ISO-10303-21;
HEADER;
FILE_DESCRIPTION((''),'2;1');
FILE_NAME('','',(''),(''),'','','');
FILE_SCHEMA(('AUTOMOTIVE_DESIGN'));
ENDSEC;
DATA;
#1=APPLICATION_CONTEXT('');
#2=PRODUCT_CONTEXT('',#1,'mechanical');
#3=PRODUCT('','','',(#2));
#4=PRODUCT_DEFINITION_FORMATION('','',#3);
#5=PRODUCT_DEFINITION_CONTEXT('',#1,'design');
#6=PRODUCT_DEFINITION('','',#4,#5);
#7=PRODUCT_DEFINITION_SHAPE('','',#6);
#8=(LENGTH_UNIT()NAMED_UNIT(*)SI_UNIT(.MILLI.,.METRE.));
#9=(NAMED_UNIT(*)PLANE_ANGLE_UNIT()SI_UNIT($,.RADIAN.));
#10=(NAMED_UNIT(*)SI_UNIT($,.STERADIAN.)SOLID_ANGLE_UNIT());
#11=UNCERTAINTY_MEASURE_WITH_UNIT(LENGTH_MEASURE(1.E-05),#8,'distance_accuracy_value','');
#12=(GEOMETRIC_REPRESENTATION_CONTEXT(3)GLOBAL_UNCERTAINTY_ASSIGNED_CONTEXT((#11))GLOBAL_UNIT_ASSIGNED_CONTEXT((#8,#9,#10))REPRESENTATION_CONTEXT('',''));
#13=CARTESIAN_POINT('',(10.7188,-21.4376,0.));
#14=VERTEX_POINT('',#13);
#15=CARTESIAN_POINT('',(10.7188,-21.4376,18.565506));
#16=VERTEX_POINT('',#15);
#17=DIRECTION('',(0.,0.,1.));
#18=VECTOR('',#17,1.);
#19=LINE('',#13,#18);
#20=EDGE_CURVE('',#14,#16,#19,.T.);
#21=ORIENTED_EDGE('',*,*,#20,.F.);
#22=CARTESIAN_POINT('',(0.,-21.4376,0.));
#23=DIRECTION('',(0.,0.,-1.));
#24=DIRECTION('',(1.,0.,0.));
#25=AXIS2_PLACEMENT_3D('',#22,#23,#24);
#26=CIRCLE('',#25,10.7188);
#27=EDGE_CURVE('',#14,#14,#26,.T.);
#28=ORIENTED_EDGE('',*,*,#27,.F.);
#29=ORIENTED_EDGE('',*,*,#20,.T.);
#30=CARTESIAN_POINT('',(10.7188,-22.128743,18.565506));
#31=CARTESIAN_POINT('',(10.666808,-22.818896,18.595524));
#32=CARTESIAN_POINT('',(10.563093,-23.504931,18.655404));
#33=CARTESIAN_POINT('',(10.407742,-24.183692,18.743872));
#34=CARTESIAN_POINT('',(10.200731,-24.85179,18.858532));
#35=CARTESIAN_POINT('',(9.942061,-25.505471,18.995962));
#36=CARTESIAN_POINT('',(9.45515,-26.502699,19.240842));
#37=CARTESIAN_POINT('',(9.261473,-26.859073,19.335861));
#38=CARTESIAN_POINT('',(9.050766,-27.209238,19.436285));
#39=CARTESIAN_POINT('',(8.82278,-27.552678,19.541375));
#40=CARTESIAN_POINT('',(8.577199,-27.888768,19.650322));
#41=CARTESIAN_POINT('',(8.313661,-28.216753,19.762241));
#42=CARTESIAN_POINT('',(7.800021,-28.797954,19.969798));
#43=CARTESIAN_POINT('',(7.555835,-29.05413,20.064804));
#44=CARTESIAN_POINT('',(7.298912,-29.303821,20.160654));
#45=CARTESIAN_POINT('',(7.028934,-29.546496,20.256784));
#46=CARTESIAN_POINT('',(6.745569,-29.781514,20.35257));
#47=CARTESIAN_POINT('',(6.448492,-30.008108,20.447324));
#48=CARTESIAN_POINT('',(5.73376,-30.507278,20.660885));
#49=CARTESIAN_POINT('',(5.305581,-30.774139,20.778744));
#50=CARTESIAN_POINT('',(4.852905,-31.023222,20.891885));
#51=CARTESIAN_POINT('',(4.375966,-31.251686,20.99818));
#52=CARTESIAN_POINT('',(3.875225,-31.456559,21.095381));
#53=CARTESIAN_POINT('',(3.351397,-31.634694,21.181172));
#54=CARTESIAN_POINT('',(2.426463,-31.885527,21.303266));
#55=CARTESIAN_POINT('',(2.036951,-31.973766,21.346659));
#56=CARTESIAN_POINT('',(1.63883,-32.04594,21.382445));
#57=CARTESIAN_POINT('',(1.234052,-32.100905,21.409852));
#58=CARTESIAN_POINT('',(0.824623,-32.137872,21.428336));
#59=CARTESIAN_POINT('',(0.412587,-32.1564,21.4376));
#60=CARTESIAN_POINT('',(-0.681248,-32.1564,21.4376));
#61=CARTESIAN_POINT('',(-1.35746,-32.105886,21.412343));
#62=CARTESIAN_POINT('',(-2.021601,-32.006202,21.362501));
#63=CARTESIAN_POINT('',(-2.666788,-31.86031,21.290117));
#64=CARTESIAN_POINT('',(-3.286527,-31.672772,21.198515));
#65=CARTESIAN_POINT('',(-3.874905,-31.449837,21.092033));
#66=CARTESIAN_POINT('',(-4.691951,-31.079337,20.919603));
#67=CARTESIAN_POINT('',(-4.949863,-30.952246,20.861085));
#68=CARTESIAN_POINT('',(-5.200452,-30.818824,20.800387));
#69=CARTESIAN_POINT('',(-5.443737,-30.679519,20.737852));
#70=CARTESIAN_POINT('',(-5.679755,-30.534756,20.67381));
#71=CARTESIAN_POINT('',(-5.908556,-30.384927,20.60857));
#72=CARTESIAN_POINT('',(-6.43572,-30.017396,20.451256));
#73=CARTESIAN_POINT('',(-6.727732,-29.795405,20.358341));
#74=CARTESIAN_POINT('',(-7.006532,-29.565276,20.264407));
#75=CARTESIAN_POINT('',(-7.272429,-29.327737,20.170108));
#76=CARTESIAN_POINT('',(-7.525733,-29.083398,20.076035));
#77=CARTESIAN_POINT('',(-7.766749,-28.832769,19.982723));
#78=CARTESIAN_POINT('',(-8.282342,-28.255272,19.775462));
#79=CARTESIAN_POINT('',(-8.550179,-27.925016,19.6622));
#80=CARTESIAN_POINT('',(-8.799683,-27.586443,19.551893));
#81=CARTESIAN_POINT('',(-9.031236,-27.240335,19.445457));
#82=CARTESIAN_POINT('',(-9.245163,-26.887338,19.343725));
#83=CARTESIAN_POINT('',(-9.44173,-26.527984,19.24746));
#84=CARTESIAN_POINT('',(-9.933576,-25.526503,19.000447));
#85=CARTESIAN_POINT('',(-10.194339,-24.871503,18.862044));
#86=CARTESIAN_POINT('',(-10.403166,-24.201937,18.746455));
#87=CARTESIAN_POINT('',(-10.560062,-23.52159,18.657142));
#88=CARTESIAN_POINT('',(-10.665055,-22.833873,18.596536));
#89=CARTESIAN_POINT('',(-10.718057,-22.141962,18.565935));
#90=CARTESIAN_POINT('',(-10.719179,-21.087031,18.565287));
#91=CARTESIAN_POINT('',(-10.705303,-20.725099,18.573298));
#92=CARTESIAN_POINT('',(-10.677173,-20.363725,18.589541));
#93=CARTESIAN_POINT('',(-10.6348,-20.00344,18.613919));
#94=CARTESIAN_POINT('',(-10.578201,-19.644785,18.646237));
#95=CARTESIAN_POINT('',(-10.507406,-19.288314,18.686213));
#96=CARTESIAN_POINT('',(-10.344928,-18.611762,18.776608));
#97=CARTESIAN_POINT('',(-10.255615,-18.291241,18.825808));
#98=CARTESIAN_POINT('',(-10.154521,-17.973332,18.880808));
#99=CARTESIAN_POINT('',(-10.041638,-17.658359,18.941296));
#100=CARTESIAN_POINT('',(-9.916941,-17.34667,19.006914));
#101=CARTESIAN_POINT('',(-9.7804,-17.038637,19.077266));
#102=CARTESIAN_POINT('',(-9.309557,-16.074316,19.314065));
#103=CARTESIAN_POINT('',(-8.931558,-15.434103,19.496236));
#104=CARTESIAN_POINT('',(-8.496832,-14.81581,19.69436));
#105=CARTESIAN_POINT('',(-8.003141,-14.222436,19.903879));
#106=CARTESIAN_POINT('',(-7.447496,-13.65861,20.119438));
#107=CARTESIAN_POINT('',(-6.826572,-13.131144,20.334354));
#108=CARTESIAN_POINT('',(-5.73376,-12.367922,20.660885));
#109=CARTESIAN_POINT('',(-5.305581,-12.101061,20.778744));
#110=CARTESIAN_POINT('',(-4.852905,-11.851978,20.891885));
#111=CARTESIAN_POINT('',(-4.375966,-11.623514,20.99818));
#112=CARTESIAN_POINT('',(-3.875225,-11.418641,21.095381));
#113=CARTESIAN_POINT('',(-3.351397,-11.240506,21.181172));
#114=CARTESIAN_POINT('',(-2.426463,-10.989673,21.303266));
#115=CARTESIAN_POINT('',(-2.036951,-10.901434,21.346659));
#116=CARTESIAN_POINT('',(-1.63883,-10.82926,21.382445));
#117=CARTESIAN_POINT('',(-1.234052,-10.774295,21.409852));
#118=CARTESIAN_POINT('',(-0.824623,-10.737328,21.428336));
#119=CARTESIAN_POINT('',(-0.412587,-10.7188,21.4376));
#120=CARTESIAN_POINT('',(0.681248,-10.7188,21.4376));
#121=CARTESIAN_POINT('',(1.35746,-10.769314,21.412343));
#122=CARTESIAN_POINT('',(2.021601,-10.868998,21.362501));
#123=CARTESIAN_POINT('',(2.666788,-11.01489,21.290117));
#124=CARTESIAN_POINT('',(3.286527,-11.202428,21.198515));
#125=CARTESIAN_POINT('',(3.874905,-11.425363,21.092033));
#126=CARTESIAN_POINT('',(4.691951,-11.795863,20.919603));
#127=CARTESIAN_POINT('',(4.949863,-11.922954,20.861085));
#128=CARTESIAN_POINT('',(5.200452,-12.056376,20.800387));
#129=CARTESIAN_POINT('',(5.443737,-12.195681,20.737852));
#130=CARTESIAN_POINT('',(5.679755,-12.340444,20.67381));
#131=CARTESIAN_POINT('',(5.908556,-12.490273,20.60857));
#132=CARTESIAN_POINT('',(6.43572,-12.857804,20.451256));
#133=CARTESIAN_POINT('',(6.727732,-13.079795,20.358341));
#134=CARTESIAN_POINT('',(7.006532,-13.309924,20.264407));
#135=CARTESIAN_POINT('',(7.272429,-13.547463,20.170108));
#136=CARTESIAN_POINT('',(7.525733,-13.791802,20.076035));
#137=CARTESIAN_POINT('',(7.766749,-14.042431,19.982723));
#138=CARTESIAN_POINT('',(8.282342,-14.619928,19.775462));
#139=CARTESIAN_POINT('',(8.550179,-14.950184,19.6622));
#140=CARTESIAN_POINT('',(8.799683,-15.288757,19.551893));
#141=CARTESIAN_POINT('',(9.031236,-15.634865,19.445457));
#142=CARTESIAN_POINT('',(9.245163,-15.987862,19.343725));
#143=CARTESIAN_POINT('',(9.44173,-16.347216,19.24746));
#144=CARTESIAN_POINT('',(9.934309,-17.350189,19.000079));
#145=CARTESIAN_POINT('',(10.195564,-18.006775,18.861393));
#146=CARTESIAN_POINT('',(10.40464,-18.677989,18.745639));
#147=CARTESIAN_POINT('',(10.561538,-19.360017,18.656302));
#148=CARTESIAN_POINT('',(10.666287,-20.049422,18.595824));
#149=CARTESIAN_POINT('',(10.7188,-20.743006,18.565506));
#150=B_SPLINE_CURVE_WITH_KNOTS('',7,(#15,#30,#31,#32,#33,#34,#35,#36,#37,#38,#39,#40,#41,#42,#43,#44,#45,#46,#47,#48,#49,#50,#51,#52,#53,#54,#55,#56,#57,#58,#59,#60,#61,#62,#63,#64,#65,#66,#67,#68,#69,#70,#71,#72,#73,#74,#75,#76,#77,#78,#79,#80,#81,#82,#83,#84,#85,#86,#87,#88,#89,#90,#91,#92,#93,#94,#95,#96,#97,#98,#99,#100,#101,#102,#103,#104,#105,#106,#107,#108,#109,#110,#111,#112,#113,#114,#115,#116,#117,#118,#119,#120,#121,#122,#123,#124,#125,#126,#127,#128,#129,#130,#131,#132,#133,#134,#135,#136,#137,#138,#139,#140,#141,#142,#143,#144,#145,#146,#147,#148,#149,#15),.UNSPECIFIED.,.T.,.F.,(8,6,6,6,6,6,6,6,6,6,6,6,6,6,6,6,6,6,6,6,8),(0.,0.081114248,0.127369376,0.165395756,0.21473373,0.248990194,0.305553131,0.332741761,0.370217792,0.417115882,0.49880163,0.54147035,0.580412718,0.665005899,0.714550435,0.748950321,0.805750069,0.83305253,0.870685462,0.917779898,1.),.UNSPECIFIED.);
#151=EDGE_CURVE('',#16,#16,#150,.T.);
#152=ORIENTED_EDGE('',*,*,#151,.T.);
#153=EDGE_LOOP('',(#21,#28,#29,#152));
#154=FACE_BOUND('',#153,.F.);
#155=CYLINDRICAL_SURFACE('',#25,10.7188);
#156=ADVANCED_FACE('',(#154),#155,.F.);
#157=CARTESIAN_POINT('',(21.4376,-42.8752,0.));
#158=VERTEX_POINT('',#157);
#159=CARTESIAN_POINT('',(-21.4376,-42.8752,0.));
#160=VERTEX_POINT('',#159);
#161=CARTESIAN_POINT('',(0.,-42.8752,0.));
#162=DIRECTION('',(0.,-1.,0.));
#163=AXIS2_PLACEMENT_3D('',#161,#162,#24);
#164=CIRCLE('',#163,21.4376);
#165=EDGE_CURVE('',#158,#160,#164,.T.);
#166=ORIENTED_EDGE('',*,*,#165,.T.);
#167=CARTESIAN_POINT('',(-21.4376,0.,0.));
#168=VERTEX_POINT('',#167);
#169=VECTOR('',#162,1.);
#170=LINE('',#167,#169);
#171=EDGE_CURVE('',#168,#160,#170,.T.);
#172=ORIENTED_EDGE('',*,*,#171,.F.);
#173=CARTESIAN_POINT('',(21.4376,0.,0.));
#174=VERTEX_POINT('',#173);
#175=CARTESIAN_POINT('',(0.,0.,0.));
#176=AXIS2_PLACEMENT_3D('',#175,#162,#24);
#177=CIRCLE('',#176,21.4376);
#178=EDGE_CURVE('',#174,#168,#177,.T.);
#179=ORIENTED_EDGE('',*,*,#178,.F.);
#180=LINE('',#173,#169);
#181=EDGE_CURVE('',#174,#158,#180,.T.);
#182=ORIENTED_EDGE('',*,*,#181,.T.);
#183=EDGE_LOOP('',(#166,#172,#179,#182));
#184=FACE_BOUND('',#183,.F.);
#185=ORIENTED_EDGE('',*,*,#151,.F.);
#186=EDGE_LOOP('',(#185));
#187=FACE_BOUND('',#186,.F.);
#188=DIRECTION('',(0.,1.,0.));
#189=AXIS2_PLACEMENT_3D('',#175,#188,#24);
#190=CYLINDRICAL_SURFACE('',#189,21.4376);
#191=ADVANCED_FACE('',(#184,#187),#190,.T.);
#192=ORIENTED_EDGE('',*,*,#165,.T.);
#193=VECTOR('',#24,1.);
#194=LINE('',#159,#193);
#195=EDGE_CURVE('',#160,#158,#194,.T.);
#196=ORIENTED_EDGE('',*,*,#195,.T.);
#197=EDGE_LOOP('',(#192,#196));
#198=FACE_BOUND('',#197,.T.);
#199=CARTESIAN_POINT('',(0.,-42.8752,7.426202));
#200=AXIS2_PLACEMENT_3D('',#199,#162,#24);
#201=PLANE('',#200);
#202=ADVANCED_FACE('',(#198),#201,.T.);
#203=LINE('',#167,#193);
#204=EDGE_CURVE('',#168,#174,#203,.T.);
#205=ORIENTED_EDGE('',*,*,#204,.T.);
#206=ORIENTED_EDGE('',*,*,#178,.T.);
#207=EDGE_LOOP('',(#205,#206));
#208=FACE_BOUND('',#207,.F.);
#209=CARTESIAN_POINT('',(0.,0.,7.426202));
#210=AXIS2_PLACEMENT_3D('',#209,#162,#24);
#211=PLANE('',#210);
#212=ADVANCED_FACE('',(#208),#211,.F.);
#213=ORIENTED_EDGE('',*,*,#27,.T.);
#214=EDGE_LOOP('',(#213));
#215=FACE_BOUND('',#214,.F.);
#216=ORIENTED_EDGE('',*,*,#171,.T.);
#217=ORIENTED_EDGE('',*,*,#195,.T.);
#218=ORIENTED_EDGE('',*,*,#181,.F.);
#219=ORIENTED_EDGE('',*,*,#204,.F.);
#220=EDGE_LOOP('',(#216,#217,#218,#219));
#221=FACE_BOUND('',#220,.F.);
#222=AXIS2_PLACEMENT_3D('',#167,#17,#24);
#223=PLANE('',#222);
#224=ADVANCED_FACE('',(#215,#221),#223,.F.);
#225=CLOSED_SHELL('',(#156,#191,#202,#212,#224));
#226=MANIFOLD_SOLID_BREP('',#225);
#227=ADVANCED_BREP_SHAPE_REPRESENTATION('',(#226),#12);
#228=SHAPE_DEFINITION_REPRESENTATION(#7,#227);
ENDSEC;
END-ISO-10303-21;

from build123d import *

# Parameters (mm, degrees)
F1_DEPTH = 42.8752
F2_R     = 10.7188
F3_DEPTH = 21.4386


with BuildPart() as f1:
    # F0 (on Front) → F1 (new body)
    with BuildSketch(Plane.XZ):
        with BuildLine():
            Line((-21.4376, 0), (21.4376, 0))
            ThreePointArc((21.4376, 0), (0, 21.4376), (-21.4376, 0))
        make_face()
    extrude(amount=F1_DEPTH)

    # F2 (on face) → F3 (cut, through all)
    with BuildSketch(Plane(origin=(0, 0, 0), x_dir=(1, 0, 0), z_dir=(0, 0, -1))):
        with Locations((0, 21.4376)):
            Circle(F2_R)
    extrude(amount=-F3_DEPTH, mode=Mode.SUBTRACT)


solid = f1.part
